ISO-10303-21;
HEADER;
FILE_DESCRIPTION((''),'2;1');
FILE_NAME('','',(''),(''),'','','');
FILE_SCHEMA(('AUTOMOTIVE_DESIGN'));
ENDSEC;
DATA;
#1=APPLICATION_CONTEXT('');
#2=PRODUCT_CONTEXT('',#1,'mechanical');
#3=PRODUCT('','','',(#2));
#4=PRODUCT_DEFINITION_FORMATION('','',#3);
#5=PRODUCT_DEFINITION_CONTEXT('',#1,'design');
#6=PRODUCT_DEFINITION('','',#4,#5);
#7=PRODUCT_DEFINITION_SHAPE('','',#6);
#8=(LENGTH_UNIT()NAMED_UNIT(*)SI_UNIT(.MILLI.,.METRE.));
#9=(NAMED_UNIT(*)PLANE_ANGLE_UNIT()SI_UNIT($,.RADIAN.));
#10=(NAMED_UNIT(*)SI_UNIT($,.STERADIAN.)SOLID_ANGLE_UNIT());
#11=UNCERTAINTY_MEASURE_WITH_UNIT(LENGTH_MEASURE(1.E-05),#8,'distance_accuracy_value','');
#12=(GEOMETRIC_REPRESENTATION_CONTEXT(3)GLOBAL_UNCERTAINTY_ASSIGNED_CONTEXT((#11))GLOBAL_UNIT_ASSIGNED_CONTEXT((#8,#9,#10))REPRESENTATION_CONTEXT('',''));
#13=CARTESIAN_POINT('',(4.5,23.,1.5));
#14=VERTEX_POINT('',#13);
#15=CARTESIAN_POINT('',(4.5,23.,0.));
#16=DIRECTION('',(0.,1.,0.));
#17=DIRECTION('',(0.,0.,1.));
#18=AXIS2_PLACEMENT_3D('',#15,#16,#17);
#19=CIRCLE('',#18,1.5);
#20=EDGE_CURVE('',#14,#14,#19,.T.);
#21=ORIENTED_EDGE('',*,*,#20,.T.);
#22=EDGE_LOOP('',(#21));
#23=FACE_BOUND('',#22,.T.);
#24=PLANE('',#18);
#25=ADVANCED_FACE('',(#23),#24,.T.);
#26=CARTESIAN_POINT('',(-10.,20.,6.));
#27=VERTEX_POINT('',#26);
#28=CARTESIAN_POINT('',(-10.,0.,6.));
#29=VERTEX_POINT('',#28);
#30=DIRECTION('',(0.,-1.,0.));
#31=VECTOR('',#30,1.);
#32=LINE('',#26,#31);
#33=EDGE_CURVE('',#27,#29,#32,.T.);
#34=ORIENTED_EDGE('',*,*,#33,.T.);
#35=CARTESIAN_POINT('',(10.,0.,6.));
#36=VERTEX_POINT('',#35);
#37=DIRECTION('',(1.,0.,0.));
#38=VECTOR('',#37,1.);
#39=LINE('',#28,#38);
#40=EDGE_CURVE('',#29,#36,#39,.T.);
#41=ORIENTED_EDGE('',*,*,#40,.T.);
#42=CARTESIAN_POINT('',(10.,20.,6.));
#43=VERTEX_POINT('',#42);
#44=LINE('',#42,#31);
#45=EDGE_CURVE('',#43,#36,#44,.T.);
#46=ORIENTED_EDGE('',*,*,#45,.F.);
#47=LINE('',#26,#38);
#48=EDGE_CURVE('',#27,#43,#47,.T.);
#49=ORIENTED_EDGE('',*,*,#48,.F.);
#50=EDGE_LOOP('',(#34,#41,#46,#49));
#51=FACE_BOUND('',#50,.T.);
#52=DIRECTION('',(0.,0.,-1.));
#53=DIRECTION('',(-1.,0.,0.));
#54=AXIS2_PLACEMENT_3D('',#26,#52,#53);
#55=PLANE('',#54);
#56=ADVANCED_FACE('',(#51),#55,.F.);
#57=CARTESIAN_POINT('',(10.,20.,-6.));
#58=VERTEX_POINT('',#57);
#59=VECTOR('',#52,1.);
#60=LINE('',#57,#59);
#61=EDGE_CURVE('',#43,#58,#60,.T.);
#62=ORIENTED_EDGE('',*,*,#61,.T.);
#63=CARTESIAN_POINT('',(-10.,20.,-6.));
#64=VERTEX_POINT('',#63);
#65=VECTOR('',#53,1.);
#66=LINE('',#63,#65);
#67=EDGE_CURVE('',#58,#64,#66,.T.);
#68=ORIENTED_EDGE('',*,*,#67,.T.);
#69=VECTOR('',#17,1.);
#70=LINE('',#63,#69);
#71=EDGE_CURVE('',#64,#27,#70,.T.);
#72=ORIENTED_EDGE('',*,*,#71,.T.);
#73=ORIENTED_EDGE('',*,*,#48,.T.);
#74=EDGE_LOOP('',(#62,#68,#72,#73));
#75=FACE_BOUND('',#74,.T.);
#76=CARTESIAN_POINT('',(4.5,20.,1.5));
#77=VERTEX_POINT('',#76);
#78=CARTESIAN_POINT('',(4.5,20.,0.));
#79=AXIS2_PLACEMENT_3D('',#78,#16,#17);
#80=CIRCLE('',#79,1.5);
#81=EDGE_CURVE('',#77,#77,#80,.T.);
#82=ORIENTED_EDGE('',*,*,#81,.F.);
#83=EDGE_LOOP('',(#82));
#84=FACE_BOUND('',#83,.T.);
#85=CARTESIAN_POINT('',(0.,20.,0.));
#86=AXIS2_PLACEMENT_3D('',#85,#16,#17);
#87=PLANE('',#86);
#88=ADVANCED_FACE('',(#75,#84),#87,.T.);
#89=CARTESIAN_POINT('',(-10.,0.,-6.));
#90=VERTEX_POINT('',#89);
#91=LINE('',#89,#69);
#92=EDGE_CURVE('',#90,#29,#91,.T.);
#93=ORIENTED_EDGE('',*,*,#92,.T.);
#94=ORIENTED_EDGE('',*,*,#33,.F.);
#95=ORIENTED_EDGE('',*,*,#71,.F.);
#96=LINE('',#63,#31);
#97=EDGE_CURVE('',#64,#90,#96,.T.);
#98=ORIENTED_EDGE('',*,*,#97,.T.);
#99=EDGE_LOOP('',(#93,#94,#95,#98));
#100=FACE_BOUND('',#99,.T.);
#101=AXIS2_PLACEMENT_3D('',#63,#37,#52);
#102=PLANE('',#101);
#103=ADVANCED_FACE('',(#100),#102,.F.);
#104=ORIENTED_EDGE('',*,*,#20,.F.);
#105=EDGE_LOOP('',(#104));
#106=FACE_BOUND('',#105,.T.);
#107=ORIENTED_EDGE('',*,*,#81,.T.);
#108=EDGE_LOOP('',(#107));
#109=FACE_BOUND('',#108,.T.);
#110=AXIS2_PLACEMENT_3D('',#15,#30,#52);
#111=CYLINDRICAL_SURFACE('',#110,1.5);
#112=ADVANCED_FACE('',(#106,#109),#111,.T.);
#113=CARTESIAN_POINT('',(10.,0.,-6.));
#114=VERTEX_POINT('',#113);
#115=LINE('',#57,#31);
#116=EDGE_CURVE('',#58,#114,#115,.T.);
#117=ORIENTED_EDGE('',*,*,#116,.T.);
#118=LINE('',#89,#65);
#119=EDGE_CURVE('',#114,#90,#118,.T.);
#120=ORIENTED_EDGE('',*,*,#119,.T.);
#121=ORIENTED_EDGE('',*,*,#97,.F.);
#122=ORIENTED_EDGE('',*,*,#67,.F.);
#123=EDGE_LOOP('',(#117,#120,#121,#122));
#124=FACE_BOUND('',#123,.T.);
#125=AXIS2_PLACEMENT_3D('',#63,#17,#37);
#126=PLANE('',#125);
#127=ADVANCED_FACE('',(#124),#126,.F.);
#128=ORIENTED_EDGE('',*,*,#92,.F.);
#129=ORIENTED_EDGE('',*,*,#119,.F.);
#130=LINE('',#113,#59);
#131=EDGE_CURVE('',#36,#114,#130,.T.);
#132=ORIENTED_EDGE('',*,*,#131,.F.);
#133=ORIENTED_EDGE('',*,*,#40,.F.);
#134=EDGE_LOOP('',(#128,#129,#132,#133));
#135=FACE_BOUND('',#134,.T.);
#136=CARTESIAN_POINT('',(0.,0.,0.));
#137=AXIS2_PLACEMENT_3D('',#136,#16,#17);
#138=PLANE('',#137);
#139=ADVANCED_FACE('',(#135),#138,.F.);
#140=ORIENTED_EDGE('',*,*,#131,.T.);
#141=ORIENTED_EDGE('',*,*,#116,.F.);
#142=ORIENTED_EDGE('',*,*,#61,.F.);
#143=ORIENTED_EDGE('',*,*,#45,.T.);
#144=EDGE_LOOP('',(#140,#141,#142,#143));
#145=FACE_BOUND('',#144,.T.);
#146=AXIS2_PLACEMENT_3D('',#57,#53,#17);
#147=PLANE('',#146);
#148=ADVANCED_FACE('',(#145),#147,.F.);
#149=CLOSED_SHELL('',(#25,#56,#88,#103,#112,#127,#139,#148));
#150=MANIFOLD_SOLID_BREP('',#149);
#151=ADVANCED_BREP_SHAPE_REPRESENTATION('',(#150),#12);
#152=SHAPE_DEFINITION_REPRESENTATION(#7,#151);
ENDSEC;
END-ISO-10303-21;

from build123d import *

# Parameters (mm, degrees)
SKETCH1_W           = 20
SKETCH1_H           = 12
BOSS_EXTRUDE1_DEPTH = 20
SKETCH2_R           = 1.5
BOSS_EXTRUDE2_DEPTH = 3


with BuildPart() as part:
    # Sketch1 → Boss-Extrude1 (new body)
    with BuildSketch(Plane(origin=(0, 0, 0), x_dir=(1, 0, 0), z_dir=(0, 1, 0))):
        Rectangle(SKETCH1_W, SKETCH1_H)
    extrude(amount=BOSS_EXTRUDE1_DEPTH)

    # Sketch2 → Boss-Extrude2 (add)
    with BuildSketch(Plane(origin=(0, 20, 0), x_dir=(1, 0, 0), z_dir=(0, 1, 0))):
        with Locations(Location((4.5, 0, 0), (0, 0, 270))):
            Circle(SKETCH2_R)
    extrude(amount=BOSS_EXTRUDE2_DEPTH)


solid = part.part
